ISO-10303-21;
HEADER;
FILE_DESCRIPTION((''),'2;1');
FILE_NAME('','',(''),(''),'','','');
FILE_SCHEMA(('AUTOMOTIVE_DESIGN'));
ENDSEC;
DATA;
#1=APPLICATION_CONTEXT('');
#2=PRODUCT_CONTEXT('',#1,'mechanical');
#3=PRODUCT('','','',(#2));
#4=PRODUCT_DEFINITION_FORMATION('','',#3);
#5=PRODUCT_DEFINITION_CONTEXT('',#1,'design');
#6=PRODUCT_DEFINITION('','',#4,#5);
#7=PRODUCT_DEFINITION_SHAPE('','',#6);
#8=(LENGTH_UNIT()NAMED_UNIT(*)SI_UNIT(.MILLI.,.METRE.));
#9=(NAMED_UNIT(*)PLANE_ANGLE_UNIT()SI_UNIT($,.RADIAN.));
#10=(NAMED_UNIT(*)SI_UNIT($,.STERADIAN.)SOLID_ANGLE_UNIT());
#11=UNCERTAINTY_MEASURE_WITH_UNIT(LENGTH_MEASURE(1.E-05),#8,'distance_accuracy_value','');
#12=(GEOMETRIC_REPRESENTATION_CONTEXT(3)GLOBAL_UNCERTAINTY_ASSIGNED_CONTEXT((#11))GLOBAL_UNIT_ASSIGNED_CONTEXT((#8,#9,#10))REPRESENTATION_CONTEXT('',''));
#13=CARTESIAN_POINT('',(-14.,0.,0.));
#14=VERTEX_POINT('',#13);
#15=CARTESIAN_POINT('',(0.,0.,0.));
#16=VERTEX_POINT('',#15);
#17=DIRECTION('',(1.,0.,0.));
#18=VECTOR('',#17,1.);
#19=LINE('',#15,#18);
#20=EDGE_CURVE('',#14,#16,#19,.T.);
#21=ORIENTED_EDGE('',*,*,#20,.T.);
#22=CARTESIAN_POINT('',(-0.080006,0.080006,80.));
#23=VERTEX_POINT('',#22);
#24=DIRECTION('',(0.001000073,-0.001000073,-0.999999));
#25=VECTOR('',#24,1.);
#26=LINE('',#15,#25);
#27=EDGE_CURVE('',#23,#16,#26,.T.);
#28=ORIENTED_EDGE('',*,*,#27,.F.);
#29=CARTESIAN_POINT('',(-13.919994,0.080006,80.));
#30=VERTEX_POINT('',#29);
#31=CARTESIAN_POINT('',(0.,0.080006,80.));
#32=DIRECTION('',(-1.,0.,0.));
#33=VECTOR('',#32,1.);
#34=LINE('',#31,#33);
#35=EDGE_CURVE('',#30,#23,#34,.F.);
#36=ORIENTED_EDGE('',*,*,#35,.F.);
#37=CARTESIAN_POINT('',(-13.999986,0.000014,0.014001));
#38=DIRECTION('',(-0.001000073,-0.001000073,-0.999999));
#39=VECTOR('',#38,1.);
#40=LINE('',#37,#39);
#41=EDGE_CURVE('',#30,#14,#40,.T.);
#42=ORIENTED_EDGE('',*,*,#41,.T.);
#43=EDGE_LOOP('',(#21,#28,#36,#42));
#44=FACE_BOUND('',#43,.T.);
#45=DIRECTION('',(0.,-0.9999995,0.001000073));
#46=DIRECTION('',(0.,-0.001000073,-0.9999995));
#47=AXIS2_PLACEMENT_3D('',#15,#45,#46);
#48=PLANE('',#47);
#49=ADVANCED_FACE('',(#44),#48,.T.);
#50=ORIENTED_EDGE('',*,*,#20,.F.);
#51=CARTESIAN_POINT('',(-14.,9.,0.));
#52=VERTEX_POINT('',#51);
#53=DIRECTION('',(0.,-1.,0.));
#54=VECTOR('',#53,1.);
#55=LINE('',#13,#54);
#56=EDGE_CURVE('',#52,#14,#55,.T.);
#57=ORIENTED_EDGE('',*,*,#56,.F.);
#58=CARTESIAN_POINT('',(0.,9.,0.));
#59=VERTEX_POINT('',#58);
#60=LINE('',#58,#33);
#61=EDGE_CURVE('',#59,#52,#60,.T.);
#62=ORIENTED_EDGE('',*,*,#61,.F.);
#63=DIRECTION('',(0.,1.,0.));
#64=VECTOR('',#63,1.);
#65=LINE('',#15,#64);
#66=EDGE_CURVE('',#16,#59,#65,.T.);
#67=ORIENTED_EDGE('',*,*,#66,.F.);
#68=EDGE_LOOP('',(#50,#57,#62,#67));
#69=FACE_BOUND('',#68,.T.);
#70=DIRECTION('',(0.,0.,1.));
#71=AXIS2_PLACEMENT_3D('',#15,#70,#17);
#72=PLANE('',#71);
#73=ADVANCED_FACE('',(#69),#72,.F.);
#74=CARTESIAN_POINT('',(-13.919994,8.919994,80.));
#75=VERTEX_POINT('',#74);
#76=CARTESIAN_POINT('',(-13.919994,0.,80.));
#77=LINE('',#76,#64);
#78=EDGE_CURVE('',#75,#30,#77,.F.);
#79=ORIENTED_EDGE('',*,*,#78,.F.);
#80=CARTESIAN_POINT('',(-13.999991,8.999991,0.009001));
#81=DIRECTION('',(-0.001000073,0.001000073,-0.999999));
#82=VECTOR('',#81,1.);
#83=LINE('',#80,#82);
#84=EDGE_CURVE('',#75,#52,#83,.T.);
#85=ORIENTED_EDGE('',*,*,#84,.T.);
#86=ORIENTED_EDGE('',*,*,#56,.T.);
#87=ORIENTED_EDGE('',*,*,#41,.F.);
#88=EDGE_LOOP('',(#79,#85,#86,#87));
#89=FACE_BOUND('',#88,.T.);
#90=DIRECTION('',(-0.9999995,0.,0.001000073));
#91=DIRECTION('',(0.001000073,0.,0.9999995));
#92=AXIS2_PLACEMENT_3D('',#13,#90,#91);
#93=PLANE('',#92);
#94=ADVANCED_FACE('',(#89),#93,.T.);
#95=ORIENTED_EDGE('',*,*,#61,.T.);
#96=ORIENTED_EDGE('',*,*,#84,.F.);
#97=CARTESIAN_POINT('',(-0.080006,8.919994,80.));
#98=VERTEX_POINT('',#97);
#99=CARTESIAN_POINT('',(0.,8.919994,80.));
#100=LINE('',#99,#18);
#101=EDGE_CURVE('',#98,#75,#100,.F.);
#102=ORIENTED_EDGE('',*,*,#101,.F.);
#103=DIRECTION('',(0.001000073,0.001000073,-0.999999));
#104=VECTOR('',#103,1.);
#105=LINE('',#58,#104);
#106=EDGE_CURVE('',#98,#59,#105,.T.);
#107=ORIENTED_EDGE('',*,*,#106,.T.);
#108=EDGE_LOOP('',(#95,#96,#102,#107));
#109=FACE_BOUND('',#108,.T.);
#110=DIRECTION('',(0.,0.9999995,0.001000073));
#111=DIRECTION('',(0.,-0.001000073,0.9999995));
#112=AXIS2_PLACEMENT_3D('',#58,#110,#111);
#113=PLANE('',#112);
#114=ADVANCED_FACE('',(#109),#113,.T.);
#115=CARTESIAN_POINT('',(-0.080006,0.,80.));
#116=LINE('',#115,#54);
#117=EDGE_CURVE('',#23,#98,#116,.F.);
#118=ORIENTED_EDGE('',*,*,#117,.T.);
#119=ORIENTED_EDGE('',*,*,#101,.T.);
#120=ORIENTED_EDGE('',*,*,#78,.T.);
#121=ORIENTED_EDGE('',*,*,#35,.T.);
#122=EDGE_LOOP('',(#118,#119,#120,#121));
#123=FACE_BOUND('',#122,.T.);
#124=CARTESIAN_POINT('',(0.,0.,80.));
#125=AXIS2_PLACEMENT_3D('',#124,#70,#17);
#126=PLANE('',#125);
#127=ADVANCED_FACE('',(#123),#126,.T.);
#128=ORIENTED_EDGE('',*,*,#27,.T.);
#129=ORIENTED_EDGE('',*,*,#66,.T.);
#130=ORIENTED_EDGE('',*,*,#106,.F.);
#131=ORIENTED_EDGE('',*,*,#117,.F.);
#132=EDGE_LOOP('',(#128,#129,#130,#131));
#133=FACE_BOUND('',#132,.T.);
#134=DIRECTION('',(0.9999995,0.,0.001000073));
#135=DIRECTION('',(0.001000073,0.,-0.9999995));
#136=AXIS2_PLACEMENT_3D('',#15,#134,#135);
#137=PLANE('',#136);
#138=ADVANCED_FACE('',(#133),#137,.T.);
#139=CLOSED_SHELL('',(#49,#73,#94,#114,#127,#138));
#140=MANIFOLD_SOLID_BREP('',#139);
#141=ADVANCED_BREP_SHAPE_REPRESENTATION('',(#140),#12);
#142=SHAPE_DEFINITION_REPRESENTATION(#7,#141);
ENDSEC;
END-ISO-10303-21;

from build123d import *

# Parameters (mm, degrees)
SKETCH1_W           = 14
SKETCH1_H           = 9
BOSS_EXTRUDE1_DEPTH = 80
BOSS_EXTRUDE1_TAPER = 0.0573


with BuildPart() as part:
    # Sketch1 → Boss-Extrude1 (new body)
    with BuildSketch(Plane.XY):
        with Locations((-7, 4.5)):
            Rectangle(SKETCH1_W, SKETCH1_H)
    extrude(amount=BOSS_EXTRUDE1_DEPTH, taper=BOSS_EXTRUDE1_TAPER)


solid = part.part
